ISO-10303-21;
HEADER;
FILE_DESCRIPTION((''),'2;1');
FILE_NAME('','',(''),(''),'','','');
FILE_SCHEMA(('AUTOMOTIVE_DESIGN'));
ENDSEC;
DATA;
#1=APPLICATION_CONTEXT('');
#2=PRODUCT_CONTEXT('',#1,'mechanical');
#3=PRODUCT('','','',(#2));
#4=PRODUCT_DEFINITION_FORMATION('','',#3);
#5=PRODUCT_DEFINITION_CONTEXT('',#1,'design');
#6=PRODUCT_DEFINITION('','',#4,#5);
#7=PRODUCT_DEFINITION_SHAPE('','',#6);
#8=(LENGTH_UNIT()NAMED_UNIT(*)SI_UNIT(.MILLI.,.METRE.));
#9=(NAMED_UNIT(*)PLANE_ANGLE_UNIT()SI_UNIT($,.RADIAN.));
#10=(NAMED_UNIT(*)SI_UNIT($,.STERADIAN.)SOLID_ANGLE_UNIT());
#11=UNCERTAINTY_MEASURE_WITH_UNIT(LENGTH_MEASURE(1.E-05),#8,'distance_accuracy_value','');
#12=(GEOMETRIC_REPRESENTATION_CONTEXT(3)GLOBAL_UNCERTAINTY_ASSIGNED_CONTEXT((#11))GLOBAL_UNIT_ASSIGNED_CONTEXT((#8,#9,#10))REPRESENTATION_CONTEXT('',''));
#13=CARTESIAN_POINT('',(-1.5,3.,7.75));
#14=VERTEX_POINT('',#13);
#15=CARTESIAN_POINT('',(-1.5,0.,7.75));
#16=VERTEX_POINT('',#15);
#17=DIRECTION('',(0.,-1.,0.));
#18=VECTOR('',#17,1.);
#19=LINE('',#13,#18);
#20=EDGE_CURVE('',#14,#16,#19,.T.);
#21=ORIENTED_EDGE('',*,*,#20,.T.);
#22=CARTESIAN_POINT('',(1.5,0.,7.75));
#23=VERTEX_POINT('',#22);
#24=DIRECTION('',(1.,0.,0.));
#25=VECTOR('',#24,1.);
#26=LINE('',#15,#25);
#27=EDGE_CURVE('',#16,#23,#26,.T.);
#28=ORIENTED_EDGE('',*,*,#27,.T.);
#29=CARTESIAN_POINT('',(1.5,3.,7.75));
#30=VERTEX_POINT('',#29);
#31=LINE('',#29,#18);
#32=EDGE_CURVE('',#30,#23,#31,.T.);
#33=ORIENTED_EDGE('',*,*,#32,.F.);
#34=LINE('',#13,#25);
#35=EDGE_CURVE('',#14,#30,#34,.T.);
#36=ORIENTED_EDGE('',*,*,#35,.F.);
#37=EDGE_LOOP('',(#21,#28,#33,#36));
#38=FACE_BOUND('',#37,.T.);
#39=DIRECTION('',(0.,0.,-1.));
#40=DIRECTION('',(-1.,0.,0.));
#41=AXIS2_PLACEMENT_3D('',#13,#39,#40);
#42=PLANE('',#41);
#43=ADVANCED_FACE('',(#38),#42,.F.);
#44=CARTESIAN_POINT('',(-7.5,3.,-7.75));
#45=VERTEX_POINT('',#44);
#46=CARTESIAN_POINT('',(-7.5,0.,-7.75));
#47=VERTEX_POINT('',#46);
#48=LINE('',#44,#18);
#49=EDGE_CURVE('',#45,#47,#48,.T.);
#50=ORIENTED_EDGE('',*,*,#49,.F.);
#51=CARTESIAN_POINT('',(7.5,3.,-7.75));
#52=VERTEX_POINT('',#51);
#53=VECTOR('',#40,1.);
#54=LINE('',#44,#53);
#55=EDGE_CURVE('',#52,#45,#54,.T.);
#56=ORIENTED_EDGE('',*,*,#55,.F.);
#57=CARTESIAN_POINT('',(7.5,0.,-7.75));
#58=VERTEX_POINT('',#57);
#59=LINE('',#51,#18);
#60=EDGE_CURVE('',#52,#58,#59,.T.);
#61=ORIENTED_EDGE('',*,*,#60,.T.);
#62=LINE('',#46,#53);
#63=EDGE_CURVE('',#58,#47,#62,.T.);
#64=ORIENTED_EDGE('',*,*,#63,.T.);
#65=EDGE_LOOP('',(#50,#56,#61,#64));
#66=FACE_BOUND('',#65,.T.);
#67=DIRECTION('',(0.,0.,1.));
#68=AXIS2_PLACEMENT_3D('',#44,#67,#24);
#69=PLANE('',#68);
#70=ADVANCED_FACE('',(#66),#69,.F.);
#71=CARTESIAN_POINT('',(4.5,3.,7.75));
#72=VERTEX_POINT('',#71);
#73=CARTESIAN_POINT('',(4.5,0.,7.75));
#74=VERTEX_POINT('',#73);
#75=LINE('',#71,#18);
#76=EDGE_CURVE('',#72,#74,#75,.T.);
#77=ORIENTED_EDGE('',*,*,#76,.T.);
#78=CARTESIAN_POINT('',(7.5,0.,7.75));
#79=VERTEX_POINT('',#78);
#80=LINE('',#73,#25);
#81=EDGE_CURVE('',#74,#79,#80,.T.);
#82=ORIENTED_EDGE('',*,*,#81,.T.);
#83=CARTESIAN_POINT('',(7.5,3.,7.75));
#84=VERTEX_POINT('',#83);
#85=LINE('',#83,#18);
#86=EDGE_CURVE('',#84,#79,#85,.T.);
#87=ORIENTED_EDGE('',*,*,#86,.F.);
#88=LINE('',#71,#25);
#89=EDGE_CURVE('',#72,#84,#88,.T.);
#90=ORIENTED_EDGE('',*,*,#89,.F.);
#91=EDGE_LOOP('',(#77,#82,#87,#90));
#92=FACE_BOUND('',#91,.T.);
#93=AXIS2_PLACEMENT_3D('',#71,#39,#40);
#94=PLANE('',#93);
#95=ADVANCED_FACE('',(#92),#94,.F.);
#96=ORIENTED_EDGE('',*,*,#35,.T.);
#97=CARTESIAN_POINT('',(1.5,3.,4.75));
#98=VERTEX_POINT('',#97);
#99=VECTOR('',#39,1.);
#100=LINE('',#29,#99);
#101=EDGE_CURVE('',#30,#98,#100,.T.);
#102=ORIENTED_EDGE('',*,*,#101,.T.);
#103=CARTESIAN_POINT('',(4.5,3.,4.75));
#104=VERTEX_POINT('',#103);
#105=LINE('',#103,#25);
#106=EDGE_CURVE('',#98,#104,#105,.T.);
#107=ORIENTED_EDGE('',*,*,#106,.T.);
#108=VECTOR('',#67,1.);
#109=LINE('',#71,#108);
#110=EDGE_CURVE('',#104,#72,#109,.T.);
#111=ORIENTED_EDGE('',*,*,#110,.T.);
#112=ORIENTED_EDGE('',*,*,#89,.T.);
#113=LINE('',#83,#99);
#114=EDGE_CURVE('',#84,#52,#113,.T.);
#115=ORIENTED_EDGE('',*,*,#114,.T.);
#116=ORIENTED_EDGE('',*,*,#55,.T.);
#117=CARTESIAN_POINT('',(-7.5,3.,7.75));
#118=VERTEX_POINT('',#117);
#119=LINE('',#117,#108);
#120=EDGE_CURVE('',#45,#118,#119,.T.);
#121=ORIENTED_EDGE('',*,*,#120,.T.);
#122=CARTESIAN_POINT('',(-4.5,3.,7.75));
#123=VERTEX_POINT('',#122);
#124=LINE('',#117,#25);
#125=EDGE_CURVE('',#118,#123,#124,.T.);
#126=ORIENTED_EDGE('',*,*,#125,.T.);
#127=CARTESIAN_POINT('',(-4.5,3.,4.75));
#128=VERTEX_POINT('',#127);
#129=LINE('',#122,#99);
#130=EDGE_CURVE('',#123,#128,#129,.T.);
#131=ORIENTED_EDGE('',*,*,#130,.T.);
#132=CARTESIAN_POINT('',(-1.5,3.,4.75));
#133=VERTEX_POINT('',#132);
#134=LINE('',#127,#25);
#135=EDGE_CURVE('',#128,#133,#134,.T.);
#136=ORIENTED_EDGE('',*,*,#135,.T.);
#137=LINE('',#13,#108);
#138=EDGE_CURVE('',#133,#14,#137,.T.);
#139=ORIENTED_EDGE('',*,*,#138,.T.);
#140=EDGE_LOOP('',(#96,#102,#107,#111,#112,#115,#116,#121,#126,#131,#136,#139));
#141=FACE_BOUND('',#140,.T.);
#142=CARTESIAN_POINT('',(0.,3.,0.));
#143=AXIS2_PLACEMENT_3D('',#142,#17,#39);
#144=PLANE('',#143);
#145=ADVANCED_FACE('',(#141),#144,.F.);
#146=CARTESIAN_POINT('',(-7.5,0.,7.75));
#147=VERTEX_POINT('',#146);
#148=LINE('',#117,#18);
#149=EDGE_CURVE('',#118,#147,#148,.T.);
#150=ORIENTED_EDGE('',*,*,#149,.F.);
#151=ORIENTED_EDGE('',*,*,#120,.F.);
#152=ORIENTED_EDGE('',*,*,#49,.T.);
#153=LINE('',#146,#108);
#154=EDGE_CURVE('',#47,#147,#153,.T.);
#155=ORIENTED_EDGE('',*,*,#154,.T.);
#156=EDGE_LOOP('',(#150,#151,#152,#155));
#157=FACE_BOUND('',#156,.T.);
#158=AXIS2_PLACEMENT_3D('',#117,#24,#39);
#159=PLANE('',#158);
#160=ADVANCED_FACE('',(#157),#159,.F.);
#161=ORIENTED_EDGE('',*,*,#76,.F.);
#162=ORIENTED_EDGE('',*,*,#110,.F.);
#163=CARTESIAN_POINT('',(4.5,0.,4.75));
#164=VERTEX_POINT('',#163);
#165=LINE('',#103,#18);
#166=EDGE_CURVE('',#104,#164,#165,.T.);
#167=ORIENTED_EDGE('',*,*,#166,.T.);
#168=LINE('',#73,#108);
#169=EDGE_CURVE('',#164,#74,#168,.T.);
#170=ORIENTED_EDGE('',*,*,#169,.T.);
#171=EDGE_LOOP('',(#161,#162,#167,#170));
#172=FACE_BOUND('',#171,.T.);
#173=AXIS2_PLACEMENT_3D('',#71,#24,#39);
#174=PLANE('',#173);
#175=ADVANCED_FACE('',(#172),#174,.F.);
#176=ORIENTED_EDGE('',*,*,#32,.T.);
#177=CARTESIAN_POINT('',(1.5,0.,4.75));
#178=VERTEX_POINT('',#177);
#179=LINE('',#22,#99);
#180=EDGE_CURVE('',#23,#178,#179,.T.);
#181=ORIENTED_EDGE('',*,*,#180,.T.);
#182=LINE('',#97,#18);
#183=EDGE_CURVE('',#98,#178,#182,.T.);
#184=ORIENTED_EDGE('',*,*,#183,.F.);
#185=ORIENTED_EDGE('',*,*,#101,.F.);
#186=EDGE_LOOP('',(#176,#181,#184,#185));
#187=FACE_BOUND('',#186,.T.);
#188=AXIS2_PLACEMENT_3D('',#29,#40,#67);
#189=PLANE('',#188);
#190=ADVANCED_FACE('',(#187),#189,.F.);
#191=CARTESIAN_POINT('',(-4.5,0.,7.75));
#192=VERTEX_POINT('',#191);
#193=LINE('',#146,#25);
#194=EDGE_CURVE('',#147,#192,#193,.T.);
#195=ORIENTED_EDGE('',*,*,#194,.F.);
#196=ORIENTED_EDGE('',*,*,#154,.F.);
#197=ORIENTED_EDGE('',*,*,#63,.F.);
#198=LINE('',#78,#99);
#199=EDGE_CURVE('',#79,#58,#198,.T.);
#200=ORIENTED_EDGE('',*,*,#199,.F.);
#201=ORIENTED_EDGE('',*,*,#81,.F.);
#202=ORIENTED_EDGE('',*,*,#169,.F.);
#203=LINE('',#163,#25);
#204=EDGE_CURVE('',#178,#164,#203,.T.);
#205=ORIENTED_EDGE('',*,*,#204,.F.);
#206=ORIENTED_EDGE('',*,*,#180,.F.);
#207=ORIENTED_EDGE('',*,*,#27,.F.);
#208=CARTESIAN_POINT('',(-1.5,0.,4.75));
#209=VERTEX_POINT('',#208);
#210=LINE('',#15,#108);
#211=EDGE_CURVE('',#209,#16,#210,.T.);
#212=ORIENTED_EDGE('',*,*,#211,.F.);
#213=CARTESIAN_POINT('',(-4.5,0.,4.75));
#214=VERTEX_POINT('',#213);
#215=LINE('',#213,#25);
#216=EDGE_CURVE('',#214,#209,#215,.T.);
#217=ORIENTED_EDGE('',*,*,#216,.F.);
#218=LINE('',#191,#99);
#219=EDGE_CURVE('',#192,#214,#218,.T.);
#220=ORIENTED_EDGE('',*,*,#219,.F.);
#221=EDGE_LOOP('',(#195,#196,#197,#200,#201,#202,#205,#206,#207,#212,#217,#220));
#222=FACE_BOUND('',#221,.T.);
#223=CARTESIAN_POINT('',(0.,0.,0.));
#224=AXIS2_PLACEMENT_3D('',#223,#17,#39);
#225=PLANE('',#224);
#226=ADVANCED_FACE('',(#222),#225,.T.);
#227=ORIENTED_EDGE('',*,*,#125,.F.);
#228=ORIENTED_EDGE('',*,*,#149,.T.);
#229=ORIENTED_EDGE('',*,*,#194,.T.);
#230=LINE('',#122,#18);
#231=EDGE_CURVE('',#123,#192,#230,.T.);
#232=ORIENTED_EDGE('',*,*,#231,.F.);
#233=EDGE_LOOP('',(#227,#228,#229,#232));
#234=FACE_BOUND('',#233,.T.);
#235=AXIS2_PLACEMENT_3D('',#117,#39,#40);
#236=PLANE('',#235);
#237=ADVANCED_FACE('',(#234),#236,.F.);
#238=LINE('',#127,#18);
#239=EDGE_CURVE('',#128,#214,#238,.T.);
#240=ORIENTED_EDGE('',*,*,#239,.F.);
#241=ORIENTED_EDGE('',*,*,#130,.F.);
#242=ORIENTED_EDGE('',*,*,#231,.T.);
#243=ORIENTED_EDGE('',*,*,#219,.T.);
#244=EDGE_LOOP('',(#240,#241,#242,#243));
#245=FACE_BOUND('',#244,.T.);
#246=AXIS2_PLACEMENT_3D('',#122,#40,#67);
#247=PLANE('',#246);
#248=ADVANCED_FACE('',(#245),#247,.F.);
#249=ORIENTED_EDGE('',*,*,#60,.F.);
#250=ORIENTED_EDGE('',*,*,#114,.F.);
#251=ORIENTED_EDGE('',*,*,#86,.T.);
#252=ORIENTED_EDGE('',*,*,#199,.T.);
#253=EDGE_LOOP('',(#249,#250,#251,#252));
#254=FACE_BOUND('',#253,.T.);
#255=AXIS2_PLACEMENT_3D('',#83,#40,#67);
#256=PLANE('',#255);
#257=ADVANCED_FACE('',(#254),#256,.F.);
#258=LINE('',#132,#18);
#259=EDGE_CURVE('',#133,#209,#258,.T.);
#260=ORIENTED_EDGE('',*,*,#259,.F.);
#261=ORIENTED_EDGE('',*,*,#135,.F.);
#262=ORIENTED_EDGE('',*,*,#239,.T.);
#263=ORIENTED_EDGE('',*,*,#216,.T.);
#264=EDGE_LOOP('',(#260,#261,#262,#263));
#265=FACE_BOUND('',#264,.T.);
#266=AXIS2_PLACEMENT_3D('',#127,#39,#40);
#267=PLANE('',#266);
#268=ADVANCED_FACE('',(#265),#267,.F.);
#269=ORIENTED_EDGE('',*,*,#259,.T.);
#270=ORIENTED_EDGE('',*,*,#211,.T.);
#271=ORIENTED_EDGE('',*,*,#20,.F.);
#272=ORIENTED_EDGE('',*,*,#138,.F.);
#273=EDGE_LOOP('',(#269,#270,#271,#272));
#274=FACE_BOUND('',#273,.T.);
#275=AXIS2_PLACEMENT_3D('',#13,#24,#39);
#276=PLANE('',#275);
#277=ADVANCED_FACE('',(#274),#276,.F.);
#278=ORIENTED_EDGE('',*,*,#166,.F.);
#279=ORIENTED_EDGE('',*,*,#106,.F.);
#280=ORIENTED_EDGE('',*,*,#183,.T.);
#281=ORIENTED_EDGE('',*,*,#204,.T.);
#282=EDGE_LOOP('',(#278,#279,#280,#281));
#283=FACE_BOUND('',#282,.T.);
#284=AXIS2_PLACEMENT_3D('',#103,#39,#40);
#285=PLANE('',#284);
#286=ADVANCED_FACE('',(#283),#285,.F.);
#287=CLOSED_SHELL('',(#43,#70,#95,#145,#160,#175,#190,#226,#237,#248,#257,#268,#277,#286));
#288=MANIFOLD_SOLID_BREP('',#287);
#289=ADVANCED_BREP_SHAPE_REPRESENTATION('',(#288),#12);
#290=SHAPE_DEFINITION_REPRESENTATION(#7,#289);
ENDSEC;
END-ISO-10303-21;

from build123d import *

# Parameters (mm, degrees)
BOSS_EXTRUDE1_DEPTH = 3


with BuildPart() as part:
    # Sketch1 → Boss-Extrude1 (new body)
    with BuildSketch(Plane(origin=(0, 0, 0), x_dir=(1, 0, 0), z_dir=(0, 1, 0))):
        Polygon((-7.5, -7.75), (-4.5, -7.75), (-4.5, -4.75), (-1.5, -4.75), (-1.5, -7.75), (1.5, -7.75), (1.5, -4.75), (4.5, -4.75), (4.5, -7.75), (7.5, -7.75), (7.5, 7.75), (-7.5, 7.75), align=None)
    extrude(amount=BOSS_EXTRUDE1_DEPTH)


solid = part.part
